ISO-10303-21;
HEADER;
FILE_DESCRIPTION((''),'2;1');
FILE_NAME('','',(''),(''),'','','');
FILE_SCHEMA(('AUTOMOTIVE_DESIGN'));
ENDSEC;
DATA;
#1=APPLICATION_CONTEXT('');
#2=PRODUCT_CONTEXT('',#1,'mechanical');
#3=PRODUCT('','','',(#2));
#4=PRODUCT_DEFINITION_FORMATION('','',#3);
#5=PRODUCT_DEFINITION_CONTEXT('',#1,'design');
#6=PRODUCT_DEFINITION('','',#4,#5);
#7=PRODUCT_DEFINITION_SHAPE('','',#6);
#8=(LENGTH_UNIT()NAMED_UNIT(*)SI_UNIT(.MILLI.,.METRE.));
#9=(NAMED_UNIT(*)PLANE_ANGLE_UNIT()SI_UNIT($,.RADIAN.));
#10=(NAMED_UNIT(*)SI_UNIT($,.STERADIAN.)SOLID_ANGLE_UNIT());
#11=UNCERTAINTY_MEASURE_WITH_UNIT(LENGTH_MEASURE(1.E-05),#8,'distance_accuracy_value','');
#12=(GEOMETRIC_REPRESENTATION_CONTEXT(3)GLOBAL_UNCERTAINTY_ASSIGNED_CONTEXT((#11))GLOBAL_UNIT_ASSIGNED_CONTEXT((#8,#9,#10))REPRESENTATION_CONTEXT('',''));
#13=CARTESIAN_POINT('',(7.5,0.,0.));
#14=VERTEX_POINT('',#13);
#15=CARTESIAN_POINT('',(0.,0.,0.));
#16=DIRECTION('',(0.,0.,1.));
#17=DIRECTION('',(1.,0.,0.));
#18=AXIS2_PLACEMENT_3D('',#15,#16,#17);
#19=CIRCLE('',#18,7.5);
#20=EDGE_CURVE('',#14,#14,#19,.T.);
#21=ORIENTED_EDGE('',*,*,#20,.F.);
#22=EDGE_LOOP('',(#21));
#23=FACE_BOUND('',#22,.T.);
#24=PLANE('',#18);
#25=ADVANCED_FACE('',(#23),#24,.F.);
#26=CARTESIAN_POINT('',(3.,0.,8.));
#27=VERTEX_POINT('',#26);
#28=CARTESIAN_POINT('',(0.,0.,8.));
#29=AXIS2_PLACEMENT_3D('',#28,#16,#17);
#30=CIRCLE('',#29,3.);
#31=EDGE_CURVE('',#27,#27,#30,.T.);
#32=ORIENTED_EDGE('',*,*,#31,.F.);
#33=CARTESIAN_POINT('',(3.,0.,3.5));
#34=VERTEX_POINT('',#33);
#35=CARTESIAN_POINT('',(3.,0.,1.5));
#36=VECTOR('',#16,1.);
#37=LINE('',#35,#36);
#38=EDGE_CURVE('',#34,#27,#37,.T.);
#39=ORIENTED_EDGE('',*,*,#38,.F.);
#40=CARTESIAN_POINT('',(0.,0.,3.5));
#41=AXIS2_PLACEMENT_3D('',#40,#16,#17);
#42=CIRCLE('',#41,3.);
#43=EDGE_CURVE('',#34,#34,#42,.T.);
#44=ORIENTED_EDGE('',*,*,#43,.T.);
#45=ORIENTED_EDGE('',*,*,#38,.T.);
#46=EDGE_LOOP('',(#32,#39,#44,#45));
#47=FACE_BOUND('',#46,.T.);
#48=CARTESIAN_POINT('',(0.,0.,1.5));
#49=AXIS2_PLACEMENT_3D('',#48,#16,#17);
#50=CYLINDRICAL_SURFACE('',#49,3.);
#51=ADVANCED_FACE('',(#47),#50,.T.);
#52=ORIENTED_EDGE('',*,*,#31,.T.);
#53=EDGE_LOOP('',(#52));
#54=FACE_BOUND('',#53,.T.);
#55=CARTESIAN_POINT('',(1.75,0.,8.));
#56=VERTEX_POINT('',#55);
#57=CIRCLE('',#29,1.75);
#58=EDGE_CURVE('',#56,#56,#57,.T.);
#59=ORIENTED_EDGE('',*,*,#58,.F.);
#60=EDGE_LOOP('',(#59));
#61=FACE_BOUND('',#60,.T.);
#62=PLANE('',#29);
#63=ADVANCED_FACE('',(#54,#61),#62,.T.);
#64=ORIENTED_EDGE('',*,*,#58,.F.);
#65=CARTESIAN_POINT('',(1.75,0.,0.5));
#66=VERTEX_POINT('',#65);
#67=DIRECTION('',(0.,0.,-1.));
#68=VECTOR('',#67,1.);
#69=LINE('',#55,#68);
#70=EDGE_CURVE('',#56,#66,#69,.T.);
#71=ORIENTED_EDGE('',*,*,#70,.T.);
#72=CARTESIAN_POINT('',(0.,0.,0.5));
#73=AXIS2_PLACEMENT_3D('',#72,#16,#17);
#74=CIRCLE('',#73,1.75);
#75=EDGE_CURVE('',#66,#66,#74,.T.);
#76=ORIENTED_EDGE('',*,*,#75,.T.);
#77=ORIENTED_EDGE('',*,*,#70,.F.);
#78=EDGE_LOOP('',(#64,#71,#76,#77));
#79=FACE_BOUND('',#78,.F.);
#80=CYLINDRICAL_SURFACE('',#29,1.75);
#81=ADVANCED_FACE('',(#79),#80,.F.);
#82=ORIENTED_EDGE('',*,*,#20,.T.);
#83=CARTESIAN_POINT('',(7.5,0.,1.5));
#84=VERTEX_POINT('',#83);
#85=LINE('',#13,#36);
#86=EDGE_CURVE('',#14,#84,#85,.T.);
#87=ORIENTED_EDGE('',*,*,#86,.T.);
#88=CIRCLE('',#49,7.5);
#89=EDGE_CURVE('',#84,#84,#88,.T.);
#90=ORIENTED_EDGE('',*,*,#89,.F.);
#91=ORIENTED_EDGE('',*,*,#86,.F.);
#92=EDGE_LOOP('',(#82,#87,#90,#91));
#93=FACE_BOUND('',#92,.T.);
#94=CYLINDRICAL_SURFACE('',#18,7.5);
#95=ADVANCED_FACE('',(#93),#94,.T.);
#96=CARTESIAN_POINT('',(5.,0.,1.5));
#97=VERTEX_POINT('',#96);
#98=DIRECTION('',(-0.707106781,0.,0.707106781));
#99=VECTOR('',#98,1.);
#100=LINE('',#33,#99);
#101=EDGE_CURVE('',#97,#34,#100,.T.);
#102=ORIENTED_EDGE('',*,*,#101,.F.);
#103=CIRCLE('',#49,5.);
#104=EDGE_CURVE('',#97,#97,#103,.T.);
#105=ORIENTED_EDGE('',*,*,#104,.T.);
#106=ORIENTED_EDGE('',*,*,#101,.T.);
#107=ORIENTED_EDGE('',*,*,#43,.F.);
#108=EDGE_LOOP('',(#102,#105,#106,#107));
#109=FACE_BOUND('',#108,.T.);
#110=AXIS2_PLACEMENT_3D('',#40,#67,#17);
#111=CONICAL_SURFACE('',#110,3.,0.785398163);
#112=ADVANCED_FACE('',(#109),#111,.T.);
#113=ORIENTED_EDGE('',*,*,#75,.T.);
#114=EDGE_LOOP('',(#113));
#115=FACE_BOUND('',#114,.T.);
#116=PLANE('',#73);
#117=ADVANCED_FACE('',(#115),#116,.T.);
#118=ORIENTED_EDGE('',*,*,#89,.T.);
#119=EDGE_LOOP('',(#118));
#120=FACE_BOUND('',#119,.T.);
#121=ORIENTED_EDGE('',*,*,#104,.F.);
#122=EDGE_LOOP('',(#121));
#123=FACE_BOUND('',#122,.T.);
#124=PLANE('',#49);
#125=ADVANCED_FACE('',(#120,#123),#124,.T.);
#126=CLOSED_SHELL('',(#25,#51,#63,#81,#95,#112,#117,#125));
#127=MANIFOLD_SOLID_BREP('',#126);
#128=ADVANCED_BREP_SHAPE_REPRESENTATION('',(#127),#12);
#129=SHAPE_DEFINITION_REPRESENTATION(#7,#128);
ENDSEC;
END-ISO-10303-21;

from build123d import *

# Parameters (mm, degrees)
F2_R     = 1.75
F3_DEPTH = 7.5
F4_SIZE  = 2


with BuildPart() as f1:
    # F0 (on Front) → F1 (revolve)
    with BuildSketch(Plane.XZ):
        Polygon((0, 8), (0, 0), (7.5, 0), (7.5, 1.5), (3, 1.5), (3, 8), align=None)
    revolve(axis=Axis((0, 0, 7.429687), (0, 0, 1)))

    # F2 (on face) → F3 (cut)
    with BuildSketch(Plane.XY.offset(8)):
        Circle(F2_R)
    extrude(amount=-F3_DEPTH, mode=Mode.SUBTRACT)

    # F4
    f4_edges = [f1.edges().sort_by_distance(p)[0] for p in [
        (-3, 0, 1.5),
    ]]
    chamfer(f4_edges, length=F4_SIZE)


solid = f1.part
